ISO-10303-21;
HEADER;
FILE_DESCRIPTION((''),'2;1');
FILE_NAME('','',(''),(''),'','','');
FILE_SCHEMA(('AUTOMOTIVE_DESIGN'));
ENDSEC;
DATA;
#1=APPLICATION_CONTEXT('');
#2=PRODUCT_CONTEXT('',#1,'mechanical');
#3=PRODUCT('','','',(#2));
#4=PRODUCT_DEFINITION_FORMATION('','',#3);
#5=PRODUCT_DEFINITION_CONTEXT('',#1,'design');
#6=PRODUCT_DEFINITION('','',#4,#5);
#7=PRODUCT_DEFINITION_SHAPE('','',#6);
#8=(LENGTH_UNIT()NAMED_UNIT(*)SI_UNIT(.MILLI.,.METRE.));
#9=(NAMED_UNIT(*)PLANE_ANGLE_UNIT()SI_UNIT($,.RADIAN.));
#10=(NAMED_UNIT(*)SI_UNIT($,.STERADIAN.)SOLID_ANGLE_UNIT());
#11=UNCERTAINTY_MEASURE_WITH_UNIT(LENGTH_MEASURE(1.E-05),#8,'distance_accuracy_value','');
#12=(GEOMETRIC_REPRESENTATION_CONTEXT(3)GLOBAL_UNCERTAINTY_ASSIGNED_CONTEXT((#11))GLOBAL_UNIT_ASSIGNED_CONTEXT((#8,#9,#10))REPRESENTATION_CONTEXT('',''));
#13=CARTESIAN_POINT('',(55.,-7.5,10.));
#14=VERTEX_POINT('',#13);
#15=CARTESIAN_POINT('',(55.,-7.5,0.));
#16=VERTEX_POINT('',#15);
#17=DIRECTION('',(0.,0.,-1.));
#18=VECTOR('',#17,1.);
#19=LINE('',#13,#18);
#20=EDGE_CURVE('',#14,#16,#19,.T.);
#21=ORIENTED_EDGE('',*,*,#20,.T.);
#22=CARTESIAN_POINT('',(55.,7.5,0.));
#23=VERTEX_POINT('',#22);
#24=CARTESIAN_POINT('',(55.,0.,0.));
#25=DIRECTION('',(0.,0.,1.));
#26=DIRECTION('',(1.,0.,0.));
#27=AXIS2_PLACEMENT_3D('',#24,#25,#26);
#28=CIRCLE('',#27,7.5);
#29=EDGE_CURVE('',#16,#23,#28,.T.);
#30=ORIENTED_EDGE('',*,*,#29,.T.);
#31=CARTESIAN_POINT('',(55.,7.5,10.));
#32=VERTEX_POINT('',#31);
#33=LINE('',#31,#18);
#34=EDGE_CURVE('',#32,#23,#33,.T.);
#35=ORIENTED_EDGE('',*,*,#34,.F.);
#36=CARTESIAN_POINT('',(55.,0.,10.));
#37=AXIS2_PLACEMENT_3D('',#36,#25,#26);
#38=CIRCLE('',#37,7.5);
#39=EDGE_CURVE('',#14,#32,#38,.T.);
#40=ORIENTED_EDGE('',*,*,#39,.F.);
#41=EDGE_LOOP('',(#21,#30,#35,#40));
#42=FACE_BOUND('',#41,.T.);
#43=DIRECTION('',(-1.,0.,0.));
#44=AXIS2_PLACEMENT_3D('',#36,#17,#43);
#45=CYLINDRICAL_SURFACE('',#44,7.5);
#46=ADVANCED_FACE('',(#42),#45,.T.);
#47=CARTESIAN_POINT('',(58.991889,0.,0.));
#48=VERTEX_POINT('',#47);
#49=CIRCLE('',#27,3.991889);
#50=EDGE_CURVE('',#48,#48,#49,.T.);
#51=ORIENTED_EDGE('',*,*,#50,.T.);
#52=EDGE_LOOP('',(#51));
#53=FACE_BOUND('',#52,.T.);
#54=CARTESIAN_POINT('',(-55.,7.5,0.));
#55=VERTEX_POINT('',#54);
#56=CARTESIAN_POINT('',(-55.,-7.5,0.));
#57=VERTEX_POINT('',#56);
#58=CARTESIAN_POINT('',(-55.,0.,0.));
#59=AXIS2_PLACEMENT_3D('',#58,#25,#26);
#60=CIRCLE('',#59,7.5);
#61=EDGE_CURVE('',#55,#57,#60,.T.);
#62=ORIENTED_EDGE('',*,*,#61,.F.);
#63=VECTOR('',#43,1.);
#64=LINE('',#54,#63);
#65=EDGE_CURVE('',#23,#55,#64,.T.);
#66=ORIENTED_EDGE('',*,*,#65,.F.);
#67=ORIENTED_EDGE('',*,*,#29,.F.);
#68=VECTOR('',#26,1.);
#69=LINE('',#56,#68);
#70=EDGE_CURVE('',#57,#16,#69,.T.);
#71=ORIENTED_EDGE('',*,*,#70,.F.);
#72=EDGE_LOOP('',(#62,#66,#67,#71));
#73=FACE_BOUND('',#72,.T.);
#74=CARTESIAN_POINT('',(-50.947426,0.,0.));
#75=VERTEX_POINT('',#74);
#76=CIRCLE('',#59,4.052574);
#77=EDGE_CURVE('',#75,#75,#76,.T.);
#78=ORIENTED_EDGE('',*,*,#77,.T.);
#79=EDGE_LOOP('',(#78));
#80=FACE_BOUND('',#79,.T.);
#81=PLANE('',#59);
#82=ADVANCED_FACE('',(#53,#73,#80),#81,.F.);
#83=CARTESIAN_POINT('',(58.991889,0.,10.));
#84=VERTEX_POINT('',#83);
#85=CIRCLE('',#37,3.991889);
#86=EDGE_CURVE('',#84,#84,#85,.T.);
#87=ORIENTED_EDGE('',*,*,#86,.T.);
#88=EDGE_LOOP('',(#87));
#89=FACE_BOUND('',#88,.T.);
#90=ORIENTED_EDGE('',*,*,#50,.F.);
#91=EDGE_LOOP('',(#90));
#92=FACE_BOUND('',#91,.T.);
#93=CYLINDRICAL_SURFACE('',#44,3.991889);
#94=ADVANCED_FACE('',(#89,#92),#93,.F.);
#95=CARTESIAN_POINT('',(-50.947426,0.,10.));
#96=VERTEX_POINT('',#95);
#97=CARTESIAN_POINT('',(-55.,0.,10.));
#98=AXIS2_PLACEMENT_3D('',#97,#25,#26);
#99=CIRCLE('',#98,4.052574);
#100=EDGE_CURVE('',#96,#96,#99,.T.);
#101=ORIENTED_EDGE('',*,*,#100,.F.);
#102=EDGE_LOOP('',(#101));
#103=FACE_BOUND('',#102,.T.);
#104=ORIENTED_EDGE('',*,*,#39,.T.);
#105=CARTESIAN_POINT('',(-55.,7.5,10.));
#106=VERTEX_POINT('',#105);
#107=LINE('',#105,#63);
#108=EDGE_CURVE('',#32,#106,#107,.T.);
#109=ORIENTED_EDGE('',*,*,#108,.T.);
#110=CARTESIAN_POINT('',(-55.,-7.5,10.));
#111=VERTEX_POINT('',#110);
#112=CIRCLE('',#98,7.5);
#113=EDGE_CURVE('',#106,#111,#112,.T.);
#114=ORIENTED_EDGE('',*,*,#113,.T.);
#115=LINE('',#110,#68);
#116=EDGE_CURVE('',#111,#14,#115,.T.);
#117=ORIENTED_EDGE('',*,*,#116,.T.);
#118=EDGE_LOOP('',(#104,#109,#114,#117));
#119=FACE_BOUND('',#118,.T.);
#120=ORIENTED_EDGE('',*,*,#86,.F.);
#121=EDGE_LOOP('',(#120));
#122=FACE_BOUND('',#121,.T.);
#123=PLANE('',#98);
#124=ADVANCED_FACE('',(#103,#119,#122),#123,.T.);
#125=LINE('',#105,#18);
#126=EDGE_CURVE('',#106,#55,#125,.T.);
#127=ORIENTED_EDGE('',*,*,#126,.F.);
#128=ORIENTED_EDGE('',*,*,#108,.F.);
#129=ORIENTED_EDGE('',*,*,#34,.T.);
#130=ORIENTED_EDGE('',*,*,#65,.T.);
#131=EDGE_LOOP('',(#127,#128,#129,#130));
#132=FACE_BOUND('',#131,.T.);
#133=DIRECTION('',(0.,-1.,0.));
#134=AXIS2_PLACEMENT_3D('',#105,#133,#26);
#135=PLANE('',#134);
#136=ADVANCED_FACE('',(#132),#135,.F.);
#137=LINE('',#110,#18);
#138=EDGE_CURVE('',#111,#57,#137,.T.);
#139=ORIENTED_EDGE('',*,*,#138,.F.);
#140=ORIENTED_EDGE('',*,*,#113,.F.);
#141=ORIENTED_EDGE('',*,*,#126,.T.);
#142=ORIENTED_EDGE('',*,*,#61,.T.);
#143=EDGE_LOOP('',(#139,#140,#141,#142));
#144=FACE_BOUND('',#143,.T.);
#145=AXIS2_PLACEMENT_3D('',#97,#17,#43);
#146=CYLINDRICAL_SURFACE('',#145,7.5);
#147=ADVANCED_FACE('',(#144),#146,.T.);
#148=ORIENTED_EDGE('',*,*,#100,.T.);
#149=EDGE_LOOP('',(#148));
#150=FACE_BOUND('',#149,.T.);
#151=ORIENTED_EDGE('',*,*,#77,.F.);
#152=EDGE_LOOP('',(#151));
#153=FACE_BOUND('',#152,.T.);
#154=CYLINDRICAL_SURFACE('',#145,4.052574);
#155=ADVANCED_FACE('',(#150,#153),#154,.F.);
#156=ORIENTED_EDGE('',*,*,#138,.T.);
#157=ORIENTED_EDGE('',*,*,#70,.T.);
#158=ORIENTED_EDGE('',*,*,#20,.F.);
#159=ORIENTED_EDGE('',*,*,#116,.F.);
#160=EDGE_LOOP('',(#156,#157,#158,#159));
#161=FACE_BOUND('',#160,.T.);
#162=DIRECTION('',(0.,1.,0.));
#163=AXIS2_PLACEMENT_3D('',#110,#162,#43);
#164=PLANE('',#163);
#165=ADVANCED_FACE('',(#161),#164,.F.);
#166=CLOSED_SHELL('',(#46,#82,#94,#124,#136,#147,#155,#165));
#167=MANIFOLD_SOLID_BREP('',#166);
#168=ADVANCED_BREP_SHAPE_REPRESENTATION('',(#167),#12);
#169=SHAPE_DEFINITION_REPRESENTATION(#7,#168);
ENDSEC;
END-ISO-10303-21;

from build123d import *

# Parameters (mm, degrees)
CROQUIS1_R              = 4.052574427
CROQUIS1_R_2            = 3.991888558
SALIENTE_EXTRUIR1_DEPTH = 10


with BuildPart() as part:
    # Croquis1 → Saliente-Extruir1 (new body)
    with BuildSketch(Plane.XY):
        with BuildLine():
            Line((-55, 7.5), (55, 7.5))
            ThreePointArc((55, 7.5), (62.5, 0), (55, -7.5))
            Line((55, -7.5), (-55, -7.5))
            ThreePointArc((-55, -7.5), (-62.5, 0), (-55, 7.5))
        make_face()
        with Locations((-55, 0)):
            Circle(CROQUIS1_R, mode=Mode.SUBTRACT)
        with Locations((55, 0)):
            Circle(CROQUIS1_R_2, mode=Mode.SUBTRACT)
    extrude(amount=SALIENTE_EXTRUIR1_DEPTH)


solid = part.part
